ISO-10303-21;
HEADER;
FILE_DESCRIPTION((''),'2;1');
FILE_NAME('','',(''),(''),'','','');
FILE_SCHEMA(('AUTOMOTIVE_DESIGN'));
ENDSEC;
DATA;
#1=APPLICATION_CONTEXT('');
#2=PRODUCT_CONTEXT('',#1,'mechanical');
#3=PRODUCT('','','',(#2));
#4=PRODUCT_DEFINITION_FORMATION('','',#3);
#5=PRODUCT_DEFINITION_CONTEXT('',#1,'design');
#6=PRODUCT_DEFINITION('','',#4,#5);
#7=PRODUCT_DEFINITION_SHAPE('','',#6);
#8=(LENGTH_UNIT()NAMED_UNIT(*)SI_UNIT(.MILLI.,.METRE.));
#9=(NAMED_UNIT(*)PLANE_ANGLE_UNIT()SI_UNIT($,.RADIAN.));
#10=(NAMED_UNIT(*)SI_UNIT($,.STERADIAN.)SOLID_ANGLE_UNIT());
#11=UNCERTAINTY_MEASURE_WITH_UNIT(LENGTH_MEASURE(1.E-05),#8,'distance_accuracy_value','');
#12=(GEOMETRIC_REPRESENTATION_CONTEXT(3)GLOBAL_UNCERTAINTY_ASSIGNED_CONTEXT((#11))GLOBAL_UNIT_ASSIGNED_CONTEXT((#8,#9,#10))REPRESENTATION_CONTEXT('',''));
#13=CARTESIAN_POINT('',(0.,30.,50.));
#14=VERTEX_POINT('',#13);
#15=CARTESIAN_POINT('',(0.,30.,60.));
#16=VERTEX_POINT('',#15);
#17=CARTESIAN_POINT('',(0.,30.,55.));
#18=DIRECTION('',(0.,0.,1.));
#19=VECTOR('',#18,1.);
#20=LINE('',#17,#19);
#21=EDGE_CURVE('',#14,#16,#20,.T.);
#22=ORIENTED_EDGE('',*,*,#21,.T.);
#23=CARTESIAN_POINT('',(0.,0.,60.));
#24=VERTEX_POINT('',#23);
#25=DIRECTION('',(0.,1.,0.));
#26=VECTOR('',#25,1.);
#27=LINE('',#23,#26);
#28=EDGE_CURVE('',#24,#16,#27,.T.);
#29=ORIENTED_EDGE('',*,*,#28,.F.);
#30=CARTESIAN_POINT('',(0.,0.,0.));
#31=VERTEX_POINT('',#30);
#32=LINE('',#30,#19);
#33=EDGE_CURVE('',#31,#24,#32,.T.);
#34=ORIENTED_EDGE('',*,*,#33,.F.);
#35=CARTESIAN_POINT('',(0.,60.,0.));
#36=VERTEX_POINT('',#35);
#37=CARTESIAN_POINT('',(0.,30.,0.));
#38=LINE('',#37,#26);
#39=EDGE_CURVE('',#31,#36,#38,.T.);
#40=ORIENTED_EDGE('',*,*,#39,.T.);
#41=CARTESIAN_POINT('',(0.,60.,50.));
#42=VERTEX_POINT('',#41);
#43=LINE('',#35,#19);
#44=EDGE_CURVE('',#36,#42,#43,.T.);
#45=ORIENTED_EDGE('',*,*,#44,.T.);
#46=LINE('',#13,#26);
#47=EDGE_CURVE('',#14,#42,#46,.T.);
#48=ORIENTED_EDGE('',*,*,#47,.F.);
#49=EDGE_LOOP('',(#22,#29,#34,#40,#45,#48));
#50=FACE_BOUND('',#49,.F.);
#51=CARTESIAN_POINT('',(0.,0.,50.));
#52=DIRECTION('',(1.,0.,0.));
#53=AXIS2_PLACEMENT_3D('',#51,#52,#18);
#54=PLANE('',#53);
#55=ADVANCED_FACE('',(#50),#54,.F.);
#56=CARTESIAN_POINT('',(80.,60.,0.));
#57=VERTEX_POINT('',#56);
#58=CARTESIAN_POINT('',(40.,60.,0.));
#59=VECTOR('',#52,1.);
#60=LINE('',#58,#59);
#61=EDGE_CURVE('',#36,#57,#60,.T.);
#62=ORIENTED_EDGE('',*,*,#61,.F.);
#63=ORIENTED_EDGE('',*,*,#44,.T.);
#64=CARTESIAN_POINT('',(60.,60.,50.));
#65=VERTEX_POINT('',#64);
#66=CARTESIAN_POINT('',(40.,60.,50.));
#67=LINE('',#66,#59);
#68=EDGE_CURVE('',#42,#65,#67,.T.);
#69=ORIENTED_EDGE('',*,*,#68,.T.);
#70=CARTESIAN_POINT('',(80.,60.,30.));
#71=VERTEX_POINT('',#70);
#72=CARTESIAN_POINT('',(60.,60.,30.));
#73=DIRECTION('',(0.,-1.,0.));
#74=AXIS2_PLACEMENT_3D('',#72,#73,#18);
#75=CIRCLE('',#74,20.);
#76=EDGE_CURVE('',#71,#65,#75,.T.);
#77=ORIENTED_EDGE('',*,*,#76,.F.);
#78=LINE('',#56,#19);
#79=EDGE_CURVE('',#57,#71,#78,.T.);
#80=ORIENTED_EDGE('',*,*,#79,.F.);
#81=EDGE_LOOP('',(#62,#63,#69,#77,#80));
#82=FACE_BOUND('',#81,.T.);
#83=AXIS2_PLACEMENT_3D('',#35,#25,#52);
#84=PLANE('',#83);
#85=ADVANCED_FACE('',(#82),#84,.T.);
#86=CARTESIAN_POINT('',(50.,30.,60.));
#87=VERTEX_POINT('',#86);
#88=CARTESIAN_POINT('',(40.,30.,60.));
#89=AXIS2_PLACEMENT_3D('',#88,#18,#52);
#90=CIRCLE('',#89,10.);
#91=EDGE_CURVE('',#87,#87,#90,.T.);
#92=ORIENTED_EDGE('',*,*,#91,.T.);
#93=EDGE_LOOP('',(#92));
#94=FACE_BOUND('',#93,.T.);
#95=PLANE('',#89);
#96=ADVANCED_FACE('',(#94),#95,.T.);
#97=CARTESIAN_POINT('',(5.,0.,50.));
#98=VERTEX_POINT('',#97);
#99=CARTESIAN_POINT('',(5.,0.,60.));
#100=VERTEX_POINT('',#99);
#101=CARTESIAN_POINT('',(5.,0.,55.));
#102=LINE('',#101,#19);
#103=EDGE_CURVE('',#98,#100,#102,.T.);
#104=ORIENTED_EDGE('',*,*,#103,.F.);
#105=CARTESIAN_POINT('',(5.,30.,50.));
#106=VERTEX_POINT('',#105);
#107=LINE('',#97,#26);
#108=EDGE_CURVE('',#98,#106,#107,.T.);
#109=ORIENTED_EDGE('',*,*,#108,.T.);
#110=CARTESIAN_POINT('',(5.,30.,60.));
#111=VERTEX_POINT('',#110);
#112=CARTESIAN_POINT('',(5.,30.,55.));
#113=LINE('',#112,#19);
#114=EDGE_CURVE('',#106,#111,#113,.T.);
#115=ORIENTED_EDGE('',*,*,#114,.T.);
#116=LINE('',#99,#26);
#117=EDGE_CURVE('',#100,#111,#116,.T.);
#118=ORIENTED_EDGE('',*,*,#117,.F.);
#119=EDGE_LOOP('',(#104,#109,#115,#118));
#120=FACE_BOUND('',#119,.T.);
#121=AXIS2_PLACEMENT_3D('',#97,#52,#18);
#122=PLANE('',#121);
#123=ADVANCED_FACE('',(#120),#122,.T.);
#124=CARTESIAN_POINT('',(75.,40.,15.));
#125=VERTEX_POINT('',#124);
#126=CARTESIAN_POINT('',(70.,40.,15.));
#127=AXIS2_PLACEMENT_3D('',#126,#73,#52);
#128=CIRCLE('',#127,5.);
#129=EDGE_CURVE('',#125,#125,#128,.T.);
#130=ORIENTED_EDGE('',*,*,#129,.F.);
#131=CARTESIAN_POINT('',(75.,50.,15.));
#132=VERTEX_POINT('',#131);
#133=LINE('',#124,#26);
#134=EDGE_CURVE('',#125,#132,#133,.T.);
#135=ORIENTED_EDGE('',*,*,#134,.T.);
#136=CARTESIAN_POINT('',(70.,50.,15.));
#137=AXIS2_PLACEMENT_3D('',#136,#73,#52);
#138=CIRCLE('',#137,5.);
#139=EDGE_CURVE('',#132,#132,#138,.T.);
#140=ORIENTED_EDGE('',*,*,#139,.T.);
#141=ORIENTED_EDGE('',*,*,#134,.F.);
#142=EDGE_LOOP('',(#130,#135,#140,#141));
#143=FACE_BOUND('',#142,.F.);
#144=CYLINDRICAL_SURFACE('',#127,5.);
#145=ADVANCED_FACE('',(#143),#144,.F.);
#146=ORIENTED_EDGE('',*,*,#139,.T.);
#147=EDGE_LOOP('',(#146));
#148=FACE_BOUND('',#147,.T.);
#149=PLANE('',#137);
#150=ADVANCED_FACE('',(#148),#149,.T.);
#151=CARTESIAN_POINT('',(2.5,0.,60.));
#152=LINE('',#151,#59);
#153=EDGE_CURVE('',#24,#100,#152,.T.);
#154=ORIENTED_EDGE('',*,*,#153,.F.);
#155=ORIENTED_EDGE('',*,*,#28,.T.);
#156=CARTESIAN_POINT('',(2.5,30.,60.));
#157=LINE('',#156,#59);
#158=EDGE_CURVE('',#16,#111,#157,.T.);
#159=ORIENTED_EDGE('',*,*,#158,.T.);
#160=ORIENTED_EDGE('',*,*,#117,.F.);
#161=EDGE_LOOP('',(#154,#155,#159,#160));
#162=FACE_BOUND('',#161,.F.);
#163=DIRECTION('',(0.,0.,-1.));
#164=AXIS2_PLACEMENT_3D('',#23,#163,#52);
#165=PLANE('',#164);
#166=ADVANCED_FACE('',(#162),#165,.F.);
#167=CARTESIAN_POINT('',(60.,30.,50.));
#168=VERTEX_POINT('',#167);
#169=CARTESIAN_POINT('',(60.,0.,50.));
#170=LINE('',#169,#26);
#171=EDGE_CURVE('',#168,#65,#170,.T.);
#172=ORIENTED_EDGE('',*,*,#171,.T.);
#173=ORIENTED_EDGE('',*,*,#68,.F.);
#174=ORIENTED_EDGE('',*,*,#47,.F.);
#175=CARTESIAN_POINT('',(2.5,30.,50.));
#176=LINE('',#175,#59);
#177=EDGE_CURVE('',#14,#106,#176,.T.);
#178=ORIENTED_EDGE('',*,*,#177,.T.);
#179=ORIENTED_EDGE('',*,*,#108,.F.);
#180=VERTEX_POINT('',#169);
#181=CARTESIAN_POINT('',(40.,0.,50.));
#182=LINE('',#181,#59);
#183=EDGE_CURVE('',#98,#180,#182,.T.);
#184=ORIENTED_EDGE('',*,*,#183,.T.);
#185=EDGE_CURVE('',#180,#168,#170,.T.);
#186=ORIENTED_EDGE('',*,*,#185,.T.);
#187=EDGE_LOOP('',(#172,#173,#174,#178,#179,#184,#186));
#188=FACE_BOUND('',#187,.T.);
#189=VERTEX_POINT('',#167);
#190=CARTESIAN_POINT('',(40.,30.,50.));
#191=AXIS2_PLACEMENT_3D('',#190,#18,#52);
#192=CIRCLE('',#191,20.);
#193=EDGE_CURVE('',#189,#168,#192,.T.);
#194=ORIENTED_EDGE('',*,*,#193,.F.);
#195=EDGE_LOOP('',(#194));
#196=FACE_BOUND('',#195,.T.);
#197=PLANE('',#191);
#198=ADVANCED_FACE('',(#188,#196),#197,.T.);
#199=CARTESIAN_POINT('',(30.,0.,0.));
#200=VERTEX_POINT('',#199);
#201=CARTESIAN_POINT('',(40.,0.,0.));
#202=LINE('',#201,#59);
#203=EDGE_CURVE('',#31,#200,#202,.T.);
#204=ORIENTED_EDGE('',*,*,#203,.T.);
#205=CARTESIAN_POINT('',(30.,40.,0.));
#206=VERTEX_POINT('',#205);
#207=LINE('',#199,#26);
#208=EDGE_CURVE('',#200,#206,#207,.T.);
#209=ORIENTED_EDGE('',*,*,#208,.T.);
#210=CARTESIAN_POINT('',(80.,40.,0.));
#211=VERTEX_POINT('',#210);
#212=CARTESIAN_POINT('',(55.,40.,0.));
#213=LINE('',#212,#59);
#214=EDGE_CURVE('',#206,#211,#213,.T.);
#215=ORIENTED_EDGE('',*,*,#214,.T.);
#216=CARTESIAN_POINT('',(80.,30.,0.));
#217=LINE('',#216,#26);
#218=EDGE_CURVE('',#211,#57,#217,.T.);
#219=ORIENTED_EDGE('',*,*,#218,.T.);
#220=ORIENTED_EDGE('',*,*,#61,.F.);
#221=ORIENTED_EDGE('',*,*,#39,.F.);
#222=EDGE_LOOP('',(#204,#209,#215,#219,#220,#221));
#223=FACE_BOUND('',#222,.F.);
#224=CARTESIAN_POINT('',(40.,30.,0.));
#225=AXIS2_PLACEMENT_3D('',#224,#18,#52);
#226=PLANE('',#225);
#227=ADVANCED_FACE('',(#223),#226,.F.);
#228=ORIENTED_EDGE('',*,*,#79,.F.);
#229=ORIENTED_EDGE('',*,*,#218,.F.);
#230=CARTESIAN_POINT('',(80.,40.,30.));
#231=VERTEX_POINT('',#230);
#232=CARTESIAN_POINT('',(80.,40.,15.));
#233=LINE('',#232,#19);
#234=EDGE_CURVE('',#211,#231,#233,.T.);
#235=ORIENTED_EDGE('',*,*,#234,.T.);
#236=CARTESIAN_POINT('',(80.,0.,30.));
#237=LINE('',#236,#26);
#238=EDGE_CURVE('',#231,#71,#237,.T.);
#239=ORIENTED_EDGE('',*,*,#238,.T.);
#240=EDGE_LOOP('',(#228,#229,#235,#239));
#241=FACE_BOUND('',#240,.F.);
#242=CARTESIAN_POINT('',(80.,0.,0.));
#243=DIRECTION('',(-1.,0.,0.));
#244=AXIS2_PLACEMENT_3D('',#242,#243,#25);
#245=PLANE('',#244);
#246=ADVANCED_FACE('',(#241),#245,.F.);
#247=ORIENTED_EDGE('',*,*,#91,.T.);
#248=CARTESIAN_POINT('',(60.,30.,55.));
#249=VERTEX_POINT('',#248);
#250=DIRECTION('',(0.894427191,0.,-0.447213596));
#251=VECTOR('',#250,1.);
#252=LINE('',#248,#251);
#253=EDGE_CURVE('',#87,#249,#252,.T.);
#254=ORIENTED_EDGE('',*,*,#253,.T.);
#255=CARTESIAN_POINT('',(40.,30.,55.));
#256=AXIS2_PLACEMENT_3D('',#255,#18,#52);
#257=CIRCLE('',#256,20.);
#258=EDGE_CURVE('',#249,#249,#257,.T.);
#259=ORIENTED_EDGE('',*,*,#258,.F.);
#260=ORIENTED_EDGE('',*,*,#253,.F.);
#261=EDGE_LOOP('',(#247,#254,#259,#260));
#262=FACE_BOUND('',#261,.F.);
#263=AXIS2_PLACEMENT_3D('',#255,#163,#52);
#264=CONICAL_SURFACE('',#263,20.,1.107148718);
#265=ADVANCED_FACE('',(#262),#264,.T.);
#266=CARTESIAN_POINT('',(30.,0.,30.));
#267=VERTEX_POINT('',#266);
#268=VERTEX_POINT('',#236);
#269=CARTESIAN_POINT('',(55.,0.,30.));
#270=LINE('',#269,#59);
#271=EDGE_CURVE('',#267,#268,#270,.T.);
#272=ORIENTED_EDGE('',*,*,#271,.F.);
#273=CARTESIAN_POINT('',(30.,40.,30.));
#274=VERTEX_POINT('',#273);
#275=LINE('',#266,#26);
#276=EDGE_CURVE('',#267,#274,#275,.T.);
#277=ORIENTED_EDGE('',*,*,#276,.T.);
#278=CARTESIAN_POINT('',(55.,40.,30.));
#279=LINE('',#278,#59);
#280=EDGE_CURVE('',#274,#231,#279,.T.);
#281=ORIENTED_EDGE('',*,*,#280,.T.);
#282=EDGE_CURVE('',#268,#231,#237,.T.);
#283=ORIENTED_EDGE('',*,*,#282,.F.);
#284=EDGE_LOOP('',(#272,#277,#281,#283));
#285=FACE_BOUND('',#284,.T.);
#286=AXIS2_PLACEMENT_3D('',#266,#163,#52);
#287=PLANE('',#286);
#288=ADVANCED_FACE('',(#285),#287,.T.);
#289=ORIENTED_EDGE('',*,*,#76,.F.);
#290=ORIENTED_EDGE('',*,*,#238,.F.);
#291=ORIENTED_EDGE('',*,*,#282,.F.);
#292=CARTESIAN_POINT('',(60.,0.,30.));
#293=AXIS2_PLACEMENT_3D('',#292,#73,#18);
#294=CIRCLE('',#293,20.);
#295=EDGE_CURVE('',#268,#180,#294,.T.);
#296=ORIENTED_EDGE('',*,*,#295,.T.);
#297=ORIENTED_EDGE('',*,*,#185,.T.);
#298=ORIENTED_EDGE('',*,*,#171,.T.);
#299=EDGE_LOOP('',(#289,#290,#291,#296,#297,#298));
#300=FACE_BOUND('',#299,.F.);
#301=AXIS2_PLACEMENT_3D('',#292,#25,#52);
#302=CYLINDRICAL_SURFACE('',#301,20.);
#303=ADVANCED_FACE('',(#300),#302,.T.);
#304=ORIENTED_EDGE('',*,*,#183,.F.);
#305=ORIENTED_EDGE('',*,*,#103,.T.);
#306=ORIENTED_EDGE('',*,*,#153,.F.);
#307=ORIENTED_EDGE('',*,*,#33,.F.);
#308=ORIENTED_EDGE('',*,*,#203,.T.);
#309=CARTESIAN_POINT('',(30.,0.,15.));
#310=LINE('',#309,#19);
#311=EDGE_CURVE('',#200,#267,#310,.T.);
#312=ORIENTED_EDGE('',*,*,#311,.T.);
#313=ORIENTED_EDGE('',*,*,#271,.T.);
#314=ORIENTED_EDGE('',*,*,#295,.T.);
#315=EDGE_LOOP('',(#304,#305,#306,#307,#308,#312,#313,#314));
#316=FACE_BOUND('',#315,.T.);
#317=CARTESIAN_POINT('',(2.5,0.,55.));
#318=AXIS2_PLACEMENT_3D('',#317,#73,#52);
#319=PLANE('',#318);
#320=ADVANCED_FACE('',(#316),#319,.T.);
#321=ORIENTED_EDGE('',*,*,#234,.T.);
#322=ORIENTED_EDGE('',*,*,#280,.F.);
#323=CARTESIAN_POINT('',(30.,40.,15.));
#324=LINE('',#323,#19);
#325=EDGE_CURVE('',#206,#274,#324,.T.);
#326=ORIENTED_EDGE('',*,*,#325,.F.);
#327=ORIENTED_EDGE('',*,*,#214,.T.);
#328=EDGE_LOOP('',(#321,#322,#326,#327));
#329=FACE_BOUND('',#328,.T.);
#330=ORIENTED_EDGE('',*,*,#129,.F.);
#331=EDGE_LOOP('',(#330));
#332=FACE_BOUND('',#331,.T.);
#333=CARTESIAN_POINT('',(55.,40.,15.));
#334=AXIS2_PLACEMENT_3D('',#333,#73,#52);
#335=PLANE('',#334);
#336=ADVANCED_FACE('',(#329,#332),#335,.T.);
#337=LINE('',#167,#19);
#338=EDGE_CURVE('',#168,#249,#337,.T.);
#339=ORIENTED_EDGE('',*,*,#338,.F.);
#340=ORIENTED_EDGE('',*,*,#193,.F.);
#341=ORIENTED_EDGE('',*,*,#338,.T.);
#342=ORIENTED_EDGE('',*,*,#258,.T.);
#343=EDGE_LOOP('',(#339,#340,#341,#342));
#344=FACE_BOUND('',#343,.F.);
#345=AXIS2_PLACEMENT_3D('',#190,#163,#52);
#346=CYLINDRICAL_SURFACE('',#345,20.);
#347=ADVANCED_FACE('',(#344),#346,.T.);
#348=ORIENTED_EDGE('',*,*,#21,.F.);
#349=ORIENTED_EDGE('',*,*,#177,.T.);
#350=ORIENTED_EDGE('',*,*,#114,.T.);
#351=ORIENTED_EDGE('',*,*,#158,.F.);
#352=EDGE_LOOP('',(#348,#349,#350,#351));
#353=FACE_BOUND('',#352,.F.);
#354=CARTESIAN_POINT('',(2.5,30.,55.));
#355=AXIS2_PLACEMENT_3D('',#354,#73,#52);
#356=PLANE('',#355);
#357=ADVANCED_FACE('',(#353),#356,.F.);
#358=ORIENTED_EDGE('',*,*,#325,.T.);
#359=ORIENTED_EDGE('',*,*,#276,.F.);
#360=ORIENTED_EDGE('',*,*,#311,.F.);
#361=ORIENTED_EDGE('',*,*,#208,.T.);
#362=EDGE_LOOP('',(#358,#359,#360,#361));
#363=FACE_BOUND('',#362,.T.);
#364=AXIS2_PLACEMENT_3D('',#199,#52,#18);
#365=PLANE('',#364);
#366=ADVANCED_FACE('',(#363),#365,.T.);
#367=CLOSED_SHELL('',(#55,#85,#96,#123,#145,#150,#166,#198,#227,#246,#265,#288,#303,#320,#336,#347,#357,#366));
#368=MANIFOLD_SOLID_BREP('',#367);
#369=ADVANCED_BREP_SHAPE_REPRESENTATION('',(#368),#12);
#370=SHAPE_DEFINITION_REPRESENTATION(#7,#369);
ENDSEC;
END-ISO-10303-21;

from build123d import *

# Parameters (mm, degrees)
F0_W      = 80
F0_H      = 60
F1_DEPTH  = 50
F2_R      = 20
F3_W      = 5
F3_H      = 10
F4_DEPTH  = 30
F6_W      = 50
F6_H      = 30
F7_DEPTH  = 40
F8_R      = 5
F9_DEPTH  = 10
F10_R     = 20
F11_DEPTH = 10
F12_SIZE2 = 5
F12_SIZE  = 10


with BuildPart() as f1:
    # F0 (on Top) → F1 (new body)
    with BuildSketch(Plane.XY):
        with Locations((40, 30)):
            Rectangle(F0_W, F0_H)
    extrude(amount=F1_DEPTH)

    # F2
    f2_edges = [f1.edges().sort_by_distance(p)[0] for p in [
        (80, 30, 50),
    ]]
    fillet(f2_edges, radius=F2_R)


with BuildPart() as f4:
    # F3 (on face) → F4 (new body)
    with BuildSketch(Plane.XZ):
        with Locations((2.5, 55)):
            Rectangle(F3_W, F3_H)
    extrude(amount=-F4_DEPTH)


with BuildPart() as f1_1:
    add(f1.part)

    # F5: union F4
    add(f4.part)

    # F6 (on face) → F7 (cut)
    with BuildSketch(Plane.XZ):
        with Locations((55, 15)):
            Rectangle(F6_W, F6_H)
    extrude(amount=-F7_DEPTH, mode=Mode.SUBTRACT)

    # F8 (on face) → F9 (cut)
    with BuildSketch(Plane.XZ.offset(-40)):
        with Locations((70, 15)):
            Circle(F8_R)
    extrude(amount=-F9_DEPTH, mode=Mode.SUBTRACT)

    # F10 (on face) → F11 (join)
    with BuildSketch(Plane.XY.offset(50)):
        with Locations((40, 30)):
            Circle(F10_R)
    extrude(amount=F11_DEPTH)

    # F12
    f12_edges = [f1_1.edges().sort_by_distance(p)[0] for p in [
        (20, 30, 60),
    ]]
    f12_side = f1_1.faces().sort_by_distance((40, 30, 60))[0]
    chamfer(f12_edges, length=F12_SIZE, length2=F12_SIZE2, reference=f12_side)


solid = f1_1.part
